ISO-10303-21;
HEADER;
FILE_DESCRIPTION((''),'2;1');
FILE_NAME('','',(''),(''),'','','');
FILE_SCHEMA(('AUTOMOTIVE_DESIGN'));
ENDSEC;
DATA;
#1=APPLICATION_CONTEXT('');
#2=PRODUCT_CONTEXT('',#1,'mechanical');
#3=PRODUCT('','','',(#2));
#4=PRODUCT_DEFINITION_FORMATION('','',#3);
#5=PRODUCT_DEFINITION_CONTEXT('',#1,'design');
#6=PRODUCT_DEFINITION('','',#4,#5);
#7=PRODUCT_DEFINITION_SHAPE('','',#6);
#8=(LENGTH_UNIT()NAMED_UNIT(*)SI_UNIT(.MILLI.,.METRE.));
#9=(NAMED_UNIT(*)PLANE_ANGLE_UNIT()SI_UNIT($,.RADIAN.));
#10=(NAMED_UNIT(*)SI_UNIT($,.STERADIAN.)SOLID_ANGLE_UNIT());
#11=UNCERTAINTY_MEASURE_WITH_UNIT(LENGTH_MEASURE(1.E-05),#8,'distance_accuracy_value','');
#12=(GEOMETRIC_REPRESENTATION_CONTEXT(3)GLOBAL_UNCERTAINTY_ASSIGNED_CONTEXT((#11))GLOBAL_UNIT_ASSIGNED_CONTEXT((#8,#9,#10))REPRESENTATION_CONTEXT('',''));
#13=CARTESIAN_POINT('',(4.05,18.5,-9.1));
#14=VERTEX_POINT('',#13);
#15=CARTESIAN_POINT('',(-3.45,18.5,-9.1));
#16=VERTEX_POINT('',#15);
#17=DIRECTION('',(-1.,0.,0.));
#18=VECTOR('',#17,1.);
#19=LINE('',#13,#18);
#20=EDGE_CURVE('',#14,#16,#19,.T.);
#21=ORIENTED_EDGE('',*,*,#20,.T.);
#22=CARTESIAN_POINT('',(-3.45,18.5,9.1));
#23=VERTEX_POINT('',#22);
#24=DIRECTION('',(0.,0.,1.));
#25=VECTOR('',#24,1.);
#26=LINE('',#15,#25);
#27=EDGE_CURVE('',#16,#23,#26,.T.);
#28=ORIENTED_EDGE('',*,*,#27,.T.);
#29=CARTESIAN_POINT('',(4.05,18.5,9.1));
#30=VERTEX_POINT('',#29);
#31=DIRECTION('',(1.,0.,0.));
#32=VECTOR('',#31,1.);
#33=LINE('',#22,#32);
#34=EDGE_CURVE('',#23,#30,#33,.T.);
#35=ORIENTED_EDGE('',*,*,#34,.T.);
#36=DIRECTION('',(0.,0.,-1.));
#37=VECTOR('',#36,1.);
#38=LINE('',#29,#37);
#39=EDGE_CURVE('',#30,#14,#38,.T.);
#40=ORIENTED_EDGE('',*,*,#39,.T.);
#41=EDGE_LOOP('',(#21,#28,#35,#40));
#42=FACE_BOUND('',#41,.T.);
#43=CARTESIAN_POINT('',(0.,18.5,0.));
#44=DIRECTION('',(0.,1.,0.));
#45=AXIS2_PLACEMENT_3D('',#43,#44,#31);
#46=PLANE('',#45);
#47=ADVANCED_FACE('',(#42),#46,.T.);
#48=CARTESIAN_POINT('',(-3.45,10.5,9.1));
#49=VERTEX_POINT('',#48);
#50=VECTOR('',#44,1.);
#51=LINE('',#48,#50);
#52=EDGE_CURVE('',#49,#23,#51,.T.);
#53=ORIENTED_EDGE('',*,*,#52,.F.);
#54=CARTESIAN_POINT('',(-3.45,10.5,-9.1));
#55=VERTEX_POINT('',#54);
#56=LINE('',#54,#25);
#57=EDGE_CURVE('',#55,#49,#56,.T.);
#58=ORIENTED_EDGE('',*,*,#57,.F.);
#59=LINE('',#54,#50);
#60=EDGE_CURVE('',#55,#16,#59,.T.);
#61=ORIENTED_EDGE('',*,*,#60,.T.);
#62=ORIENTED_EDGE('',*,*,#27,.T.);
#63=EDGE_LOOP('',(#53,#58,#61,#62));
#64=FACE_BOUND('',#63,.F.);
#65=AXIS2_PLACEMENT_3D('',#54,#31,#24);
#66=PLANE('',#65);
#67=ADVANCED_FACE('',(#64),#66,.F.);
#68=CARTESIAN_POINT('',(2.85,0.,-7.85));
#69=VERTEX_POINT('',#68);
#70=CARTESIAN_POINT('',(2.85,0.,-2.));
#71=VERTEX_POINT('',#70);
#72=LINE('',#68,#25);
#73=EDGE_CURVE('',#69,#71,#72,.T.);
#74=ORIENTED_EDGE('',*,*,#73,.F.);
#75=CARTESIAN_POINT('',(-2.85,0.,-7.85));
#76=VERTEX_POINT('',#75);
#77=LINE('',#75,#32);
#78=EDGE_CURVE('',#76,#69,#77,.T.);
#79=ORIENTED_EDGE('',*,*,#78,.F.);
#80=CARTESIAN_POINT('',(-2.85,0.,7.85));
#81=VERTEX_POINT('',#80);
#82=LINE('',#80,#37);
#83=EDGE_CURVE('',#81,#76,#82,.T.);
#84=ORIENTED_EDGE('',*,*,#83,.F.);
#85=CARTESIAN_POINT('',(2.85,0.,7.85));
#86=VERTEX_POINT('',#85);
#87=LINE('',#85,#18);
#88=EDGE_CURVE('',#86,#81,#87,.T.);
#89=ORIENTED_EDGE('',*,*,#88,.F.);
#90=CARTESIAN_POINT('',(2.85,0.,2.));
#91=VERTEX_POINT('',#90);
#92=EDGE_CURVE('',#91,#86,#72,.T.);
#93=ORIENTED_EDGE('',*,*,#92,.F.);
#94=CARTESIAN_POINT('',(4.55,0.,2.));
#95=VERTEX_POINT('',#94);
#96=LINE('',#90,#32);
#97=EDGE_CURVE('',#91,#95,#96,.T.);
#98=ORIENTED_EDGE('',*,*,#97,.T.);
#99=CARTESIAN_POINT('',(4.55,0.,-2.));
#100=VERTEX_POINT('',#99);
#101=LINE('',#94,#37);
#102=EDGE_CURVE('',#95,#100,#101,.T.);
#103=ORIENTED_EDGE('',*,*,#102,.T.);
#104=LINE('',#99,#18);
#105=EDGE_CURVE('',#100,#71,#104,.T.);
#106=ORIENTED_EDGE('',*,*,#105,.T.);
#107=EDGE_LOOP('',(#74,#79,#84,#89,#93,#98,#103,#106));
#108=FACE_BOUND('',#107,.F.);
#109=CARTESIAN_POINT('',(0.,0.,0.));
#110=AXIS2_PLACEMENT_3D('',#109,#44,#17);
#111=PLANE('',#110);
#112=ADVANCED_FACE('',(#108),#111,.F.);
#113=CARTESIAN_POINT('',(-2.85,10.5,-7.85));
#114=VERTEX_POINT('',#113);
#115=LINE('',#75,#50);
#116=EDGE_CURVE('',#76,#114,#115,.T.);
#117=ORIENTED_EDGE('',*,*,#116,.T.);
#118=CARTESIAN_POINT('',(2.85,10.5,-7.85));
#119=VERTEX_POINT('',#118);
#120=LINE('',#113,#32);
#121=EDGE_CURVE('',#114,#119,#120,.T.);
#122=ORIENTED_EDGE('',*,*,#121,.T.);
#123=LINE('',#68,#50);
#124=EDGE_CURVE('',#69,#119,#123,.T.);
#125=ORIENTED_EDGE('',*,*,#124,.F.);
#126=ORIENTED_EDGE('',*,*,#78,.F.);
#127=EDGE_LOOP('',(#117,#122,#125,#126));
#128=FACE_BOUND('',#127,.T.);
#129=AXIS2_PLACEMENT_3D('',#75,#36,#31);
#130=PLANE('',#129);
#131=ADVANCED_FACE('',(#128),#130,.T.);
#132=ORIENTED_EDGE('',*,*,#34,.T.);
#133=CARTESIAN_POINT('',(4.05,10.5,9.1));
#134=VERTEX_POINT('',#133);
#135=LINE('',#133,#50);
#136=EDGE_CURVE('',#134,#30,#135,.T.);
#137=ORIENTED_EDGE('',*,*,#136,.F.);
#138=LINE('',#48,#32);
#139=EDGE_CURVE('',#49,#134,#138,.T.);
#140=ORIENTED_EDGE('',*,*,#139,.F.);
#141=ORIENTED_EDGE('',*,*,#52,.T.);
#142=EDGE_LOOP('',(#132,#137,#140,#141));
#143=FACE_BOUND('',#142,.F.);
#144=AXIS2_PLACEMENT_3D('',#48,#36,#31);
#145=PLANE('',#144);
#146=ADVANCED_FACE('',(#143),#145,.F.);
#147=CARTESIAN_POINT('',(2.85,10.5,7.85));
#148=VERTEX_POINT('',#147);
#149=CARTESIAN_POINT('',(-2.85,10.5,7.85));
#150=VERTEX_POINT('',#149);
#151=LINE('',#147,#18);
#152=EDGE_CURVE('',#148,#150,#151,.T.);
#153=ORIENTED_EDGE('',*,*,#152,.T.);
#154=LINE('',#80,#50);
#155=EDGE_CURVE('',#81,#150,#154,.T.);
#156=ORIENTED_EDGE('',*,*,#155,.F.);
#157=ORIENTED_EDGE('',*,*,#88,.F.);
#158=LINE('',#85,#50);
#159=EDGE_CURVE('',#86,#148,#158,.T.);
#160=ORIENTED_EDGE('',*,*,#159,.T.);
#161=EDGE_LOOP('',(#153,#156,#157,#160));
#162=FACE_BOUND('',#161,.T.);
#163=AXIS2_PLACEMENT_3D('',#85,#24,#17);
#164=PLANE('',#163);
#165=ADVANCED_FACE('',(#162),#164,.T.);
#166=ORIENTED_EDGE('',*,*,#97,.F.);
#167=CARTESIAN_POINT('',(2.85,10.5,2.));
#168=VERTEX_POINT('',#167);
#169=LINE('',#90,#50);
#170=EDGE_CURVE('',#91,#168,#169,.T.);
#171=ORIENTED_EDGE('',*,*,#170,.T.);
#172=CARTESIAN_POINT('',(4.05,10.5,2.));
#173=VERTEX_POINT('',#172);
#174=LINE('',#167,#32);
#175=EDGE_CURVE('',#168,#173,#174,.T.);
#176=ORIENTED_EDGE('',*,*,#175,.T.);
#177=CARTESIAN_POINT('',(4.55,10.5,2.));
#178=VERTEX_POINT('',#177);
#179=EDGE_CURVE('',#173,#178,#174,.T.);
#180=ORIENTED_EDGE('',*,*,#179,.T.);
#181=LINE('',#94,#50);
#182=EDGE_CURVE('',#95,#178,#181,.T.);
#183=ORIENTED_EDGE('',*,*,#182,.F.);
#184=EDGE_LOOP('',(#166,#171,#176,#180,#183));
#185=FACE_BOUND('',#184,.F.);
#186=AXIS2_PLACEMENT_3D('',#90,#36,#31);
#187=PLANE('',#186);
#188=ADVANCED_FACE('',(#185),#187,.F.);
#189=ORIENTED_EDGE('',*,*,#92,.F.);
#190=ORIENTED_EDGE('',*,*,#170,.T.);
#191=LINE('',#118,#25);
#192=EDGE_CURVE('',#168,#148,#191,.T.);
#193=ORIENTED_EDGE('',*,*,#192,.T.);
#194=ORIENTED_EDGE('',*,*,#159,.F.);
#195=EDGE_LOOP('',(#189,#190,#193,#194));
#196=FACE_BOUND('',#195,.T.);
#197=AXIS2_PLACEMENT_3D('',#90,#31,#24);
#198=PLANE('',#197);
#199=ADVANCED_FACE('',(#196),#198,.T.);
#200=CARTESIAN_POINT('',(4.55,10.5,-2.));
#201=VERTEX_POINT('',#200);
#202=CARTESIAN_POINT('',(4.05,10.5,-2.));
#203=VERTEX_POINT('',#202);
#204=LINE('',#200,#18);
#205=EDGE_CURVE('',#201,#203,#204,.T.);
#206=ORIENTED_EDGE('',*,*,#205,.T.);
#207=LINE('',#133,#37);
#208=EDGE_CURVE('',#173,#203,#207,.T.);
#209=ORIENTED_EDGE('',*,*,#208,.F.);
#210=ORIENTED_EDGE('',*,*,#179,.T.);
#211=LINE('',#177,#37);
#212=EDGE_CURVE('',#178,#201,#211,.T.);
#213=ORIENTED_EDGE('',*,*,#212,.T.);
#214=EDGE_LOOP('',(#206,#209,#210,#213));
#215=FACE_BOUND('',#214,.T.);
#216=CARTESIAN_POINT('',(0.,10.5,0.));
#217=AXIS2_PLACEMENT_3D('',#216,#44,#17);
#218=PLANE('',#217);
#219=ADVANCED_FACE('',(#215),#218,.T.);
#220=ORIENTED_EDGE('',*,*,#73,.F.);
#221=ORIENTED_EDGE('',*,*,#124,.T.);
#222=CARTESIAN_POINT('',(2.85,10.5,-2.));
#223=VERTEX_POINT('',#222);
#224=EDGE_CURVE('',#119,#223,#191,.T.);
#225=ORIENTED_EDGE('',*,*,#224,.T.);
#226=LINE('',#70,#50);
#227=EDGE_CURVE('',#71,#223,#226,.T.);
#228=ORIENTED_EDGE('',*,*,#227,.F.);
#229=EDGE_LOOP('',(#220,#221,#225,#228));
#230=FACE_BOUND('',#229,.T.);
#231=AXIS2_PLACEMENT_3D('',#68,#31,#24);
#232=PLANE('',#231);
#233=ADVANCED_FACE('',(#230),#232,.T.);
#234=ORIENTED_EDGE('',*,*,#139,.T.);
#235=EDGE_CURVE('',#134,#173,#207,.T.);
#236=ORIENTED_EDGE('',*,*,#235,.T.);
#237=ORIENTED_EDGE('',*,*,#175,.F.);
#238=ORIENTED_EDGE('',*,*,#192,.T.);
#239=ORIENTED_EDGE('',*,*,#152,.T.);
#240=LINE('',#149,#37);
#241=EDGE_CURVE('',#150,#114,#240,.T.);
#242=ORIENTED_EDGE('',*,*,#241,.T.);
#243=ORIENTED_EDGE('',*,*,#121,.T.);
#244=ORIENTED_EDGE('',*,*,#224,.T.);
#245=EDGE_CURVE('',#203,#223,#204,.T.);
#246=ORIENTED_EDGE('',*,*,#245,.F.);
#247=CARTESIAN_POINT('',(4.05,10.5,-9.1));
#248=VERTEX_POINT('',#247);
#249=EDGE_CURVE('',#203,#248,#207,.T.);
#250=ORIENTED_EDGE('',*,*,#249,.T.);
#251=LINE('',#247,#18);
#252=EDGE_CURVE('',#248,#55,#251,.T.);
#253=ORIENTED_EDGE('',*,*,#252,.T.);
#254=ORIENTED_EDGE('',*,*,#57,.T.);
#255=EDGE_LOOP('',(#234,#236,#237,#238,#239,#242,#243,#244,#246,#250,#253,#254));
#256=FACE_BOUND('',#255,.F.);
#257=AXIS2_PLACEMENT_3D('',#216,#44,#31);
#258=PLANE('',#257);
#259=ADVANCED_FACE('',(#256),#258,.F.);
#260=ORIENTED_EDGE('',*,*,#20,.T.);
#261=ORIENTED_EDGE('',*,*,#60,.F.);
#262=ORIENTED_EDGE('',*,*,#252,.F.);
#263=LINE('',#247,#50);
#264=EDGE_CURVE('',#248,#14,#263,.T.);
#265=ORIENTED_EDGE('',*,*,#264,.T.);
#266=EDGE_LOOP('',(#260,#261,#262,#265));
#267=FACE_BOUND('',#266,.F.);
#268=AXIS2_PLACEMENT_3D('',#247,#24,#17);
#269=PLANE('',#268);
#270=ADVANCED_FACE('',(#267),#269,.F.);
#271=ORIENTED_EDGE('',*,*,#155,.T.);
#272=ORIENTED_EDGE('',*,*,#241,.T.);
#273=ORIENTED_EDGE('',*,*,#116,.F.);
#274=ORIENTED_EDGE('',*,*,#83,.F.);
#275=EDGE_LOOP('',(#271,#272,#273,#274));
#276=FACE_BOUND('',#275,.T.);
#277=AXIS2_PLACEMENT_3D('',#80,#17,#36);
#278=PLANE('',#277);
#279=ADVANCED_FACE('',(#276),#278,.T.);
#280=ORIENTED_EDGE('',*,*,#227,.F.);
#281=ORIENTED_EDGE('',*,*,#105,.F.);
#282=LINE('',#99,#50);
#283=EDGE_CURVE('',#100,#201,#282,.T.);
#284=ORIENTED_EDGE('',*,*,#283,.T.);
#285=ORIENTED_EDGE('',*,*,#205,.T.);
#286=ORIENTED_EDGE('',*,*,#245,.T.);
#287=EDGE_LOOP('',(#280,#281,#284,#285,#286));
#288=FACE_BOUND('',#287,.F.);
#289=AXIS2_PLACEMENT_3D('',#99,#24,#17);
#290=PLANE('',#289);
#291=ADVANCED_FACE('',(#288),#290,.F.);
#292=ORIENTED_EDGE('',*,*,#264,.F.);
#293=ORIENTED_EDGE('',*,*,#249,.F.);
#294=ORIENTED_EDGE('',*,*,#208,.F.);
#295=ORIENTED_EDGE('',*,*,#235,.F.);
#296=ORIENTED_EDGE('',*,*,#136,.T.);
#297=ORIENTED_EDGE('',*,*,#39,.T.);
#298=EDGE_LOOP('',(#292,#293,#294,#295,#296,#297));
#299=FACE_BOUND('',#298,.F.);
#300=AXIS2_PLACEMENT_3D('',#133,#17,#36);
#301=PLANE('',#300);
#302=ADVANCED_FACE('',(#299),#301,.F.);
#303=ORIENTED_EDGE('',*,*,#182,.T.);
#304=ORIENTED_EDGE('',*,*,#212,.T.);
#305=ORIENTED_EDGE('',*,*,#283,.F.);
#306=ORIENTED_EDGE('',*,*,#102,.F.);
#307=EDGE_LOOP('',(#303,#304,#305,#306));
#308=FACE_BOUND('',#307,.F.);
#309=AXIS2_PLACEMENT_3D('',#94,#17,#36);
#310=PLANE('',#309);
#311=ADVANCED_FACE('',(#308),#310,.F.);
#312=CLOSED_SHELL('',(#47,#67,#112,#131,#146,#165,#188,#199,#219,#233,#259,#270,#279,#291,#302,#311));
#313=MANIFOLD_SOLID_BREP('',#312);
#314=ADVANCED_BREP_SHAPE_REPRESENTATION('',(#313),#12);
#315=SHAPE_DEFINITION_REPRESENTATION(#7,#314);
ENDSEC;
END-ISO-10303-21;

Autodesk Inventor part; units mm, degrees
ref_plane "YZ Plane" through (0, 0, 0) normal (1, 0, 0) x (0, 1, 0)
ref_plane "XZ Plane" through (0, 0, 0) normal (0, 1, 0) x (-1, 0, 0)
ref_plane "XY Plane" through (0, 0, 0) normal (0, 0, 1) x (1, 0, 0)
sketch "Szkic1" plane through (0, 0, 0) normal (0, 1, 0) x (-1, 0, 0)
  line L0 (-2.85, 7.85) -> (2.85, 7.85)
  line L1 (2.85, 7.85) -> (2.85, -7.85)
  line L2 (2.85, -7.85) -> (-2.85, -7.85)
  line L3 (-2.85, -7.85) -> (-2.85, 7.85)
  line L4 (-2.85, 7.85) -> (2.85, -7.85) construction
  line L5 (2.85, 7.85) -> (-2.85, -7.85) construction
  line L6 (-2.85, 2) -> (-4.55, 2)
  line L7 (-4.55, 2) -> (-4.55, -2)
  line L8 (-4.55, -2) -> (-2.85, -2)
  line L9 (-2.85, -2) -> (-2.85, 2)
  point P0 (0, 0)
  dimension "d0" = 15.7
  dimension "d1" = 5.7
  dimension "d2" = 4
  dimension "d3" = 7.4
  dimension "d4" = 2
extrude "Wyciągnięcie proste1" add sketch "Szkic1" along normal blind 10.5
sketch "Szkic2" plane through (0, 10.5, 0) normal (0, 1, 0) x (1, 0, 0)
  line L0 (-3.45, -9.1) -> (4.05, -9.1)
  line L1 (4.05, -9.1) -> (4.05, 9.1)
  line L2 (4.05, 9.1) -> (-3.45, 9.1)
  line L3 (-3.45, 9.1) -> (-3.45, -9.1)
  line L4 (-3.45, -9.1) -> (4.05, 9.1) construction
  line L5 (4.05, -9.1) -> (-3.45, 9.1) construction
  line L6 (-2.85, 7.85) -> (-2.85, -7.85) projected
  line L7 (2.85, 2) -> (2.85, 7.85) projected
  point P0 (0, 0)
  point P1 (0.3, 0)
  point P2 (0.3, 0)
  dimension "d7" = 18.2
  dimension "d8" = 7.5
  dimension "d10" = 1.2
extrude "Wyciągnięcie proste2" add sketch "Szkic2" along normal blind 8
properties part number "Connector_female" material "Tworzywo sztuczne ABS"
